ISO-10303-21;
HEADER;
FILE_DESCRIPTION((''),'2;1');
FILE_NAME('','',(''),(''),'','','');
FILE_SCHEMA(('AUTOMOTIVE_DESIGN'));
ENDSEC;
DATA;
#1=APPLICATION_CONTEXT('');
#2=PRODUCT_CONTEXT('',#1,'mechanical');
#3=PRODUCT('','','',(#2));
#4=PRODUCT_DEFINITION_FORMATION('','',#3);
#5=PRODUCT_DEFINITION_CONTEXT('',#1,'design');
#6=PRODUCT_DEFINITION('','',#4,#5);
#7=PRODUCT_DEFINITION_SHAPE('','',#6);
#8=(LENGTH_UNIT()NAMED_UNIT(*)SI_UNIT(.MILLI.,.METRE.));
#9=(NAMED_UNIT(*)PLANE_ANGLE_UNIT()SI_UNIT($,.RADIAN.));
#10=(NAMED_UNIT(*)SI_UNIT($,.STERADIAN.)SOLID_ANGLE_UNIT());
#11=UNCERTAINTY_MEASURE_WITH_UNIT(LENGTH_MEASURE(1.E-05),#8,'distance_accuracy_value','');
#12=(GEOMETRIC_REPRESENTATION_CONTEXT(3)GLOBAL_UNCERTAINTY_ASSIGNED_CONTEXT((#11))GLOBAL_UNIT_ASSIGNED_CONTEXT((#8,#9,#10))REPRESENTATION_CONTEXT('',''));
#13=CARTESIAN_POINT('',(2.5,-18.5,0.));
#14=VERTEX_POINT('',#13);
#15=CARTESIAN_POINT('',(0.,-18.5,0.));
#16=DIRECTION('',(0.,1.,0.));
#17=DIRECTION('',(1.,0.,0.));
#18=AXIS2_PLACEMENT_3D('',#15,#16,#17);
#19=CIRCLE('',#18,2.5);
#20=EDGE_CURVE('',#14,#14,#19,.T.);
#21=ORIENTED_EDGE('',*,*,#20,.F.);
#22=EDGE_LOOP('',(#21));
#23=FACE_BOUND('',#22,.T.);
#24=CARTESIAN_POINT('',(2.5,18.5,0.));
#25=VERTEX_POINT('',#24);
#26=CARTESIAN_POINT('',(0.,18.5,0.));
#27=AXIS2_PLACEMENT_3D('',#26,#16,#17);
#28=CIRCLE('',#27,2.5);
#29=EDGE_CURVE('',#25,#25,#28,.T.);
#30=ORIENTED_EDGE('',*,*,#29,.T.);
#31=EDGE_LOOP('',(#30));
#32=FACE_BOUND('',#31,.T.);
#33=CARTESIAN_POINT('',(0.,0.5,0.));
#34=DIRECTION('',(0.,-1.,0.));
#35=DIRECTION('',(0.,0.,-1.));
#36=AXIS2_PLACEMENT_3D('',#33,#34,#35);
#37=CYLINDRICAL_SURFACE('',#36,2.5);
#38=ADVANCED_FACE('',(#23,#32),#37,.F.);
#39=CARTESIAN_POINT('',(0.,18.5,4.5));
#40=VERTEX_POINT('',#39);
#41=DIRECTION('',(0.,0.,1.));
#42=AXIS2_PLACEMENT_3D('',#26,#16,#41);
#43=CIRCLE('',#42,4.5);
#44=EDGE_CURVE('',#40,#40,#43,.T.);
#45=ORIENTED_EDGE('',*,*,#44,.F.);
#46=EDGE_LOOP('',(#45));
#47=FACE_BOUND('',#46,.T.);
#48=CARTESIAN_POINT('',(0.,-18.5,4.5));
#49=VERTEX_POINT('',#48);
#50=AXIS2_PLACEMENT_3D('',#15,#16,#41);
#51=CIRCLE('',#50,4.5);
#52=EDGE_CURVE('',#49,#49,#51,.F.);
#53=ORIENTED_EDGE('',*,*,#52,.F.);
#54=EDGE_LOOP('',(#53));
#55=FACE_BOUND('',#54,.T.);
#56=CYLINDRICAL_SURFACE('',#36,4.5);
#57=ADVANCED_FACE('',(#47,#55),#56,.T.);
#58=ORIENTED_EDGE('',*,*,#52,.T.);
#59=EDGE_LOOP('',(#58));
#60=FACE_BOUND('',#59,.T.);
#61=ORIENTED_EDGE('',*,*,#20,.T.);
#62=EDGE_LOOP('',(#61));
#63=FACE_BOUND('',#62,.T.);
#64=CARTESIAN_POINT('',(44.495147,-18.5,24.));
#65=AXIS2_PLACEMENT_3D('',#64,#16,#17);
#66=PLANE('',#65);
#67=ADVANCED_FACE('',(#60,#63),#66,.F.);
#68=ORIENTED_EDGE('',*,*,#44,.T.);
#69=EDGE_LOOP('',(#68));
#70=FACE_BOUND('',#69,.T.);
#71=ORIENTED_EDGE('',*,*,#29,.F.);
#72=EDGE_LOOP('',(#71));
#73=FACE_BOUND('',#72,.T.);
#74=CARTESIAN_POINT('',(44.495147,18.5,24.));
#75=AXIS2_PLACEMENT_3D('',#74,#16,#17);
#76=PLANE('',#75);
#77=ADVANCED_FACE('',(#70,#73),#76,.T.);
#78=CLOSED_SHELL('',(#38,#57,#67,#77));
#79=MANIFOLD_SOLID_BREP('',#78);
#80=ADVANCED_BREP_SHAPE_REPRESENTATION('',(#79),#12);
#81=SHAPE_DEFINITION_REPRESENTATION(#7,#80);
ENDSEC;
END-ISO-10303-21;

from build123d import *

# Parameters (mm, degrees)
SKETCH1_R                = 4.5
SKETCH1_R_2              = 2.5
BOSS_EXTRUDE1_DEPTH      = 0.5
SKETCH1_2_R              = 4.5
SKETCH1_2_R_2            = 2.5
BOSS_EXTRUDE2_DEPTH      = 18.5
BOSS_EXTRUDE2_DEPTH_BACK = 18.5


with BuildPart() as part:
    # Sketch1 → Boss-Extrude1 (new body, symmetric)
    with BuildSketch(Plane(origin=(0, 0, 0), x_dir=(1, 0, 0), z_dir=(0, 1, 0))):
        Circle(SKETCH1_R)
        Circle(SKETCH1_R_2, mode=Mode.SUBTRACT)
    extrude(amount=BOSS_EXTRUDE1_DEPTH, both=True)

    # Sketch1_2 → Boss-Extrude2 (add, two sides)
    with BuildSketch(Plane(origin=(0, 0, 0), x_dir=(1, 0, 0), z_dir=(0, 1, 0))) as boss_extrude2_sk:
        Circle(SKETCH1_2_R)
        Circle(SKETCH1_2_R_2, mode=Mode.SUBTRACT)
    extrude(amount=BOSS_EXTRUDE2_DEPTH)
    extrude(boss_extrude2_sk.sketch, amount=-BOSS_EXTRUDE2_DEPTH_BACK)


solid = part.part
